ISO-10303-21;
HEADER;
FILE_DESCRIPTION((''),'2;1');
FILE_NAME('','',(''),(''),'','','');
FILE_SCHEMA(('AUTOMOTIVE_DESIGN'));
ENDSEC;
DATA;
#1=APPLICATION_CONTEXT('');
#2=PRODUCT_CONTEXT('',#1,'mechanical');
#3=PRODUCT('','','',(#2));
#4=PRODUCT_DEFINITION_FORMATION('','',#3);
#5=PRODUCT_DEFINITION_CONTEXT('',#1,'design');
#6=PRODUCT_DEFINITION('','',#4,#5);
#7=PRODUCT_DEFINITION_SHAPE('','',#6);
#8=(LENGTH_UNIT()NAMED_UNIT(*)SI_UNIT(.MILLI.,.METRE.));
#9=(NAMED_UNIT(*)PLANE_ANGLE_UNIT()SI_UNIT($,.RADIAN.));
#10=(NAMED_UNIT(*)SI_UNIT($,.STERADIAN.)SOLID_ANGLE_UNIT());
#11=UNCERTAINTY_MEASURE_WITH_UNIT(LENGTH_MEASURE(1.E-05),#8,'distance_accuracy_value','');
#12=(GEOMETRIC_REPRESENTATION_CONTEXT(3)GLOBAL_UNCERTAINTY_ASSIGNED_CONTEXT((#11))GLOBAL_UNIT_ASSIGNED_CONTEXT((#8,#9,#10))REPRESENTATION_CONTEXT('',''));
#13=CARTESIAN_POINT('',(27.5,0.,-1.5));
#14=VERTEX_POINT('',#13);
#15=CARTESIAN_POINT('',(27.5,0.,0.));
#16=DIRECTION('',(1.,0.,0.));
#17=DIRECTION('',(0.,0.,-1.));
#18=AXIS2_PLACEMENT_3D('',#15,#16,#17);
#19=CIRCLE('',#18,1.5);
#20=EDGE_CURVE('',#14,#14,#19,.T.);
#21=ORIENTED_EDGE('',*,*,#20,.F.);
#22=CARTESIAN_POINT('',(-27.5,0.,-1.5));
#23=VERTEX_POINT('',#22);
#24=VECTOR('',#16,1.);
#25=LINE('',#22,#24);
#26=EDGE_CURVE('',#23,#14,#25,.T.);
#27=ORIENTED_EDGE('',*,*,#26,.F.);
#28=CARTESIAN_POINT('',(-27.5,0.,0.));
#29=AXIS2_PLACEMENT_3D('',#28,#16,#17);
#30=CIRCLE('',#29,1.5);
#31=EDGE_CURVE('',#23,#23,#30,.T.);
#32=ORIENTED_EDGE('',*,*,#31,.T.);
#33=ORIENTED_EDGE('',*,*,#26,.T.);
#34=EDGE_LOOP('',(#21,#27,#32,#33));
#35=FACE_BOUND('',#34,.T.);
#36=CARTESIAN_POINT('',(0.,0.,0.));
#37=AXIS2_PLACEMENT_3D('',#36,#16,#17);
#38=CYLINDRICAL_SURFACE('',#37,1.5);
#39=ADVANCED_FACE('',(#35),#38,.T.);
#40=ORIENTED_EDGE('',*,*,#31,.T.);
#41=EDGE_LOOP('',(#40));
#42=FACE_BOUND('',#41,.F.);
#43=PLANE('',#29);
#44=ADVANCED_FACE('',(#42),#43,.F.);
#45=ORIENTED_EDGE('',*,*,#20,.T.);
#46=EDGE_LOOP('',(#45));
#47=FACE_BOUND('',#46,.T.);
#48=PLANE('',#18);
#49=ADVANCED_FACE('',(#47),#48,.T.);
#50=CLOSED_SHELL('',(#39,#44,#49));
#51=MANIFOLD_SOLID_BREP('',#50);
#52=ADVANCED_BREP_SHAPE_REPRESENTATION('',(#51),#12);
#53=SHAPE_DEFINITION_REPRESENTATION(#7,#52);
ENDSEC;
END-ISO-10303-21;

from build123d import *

# Parameters (mm, degrees)
SKETCH1_R           = 1.5
BOSS_EXTRUDE1_DEPTH = 27.5


with BuildPart() as part:
    # Sketch1 → Boss-Extrude1 (new body, symmetric)
    with BuildSketch(Plane(origin=(0, 0, 0), x_dir=(0, 0, -1), z_dir=(1, 0, 0))):
        Circle(SKETCH1_R)
    extrude(amount=BOSS_EXTRUDE1_DEPTH, both=True)


solid = part.part
